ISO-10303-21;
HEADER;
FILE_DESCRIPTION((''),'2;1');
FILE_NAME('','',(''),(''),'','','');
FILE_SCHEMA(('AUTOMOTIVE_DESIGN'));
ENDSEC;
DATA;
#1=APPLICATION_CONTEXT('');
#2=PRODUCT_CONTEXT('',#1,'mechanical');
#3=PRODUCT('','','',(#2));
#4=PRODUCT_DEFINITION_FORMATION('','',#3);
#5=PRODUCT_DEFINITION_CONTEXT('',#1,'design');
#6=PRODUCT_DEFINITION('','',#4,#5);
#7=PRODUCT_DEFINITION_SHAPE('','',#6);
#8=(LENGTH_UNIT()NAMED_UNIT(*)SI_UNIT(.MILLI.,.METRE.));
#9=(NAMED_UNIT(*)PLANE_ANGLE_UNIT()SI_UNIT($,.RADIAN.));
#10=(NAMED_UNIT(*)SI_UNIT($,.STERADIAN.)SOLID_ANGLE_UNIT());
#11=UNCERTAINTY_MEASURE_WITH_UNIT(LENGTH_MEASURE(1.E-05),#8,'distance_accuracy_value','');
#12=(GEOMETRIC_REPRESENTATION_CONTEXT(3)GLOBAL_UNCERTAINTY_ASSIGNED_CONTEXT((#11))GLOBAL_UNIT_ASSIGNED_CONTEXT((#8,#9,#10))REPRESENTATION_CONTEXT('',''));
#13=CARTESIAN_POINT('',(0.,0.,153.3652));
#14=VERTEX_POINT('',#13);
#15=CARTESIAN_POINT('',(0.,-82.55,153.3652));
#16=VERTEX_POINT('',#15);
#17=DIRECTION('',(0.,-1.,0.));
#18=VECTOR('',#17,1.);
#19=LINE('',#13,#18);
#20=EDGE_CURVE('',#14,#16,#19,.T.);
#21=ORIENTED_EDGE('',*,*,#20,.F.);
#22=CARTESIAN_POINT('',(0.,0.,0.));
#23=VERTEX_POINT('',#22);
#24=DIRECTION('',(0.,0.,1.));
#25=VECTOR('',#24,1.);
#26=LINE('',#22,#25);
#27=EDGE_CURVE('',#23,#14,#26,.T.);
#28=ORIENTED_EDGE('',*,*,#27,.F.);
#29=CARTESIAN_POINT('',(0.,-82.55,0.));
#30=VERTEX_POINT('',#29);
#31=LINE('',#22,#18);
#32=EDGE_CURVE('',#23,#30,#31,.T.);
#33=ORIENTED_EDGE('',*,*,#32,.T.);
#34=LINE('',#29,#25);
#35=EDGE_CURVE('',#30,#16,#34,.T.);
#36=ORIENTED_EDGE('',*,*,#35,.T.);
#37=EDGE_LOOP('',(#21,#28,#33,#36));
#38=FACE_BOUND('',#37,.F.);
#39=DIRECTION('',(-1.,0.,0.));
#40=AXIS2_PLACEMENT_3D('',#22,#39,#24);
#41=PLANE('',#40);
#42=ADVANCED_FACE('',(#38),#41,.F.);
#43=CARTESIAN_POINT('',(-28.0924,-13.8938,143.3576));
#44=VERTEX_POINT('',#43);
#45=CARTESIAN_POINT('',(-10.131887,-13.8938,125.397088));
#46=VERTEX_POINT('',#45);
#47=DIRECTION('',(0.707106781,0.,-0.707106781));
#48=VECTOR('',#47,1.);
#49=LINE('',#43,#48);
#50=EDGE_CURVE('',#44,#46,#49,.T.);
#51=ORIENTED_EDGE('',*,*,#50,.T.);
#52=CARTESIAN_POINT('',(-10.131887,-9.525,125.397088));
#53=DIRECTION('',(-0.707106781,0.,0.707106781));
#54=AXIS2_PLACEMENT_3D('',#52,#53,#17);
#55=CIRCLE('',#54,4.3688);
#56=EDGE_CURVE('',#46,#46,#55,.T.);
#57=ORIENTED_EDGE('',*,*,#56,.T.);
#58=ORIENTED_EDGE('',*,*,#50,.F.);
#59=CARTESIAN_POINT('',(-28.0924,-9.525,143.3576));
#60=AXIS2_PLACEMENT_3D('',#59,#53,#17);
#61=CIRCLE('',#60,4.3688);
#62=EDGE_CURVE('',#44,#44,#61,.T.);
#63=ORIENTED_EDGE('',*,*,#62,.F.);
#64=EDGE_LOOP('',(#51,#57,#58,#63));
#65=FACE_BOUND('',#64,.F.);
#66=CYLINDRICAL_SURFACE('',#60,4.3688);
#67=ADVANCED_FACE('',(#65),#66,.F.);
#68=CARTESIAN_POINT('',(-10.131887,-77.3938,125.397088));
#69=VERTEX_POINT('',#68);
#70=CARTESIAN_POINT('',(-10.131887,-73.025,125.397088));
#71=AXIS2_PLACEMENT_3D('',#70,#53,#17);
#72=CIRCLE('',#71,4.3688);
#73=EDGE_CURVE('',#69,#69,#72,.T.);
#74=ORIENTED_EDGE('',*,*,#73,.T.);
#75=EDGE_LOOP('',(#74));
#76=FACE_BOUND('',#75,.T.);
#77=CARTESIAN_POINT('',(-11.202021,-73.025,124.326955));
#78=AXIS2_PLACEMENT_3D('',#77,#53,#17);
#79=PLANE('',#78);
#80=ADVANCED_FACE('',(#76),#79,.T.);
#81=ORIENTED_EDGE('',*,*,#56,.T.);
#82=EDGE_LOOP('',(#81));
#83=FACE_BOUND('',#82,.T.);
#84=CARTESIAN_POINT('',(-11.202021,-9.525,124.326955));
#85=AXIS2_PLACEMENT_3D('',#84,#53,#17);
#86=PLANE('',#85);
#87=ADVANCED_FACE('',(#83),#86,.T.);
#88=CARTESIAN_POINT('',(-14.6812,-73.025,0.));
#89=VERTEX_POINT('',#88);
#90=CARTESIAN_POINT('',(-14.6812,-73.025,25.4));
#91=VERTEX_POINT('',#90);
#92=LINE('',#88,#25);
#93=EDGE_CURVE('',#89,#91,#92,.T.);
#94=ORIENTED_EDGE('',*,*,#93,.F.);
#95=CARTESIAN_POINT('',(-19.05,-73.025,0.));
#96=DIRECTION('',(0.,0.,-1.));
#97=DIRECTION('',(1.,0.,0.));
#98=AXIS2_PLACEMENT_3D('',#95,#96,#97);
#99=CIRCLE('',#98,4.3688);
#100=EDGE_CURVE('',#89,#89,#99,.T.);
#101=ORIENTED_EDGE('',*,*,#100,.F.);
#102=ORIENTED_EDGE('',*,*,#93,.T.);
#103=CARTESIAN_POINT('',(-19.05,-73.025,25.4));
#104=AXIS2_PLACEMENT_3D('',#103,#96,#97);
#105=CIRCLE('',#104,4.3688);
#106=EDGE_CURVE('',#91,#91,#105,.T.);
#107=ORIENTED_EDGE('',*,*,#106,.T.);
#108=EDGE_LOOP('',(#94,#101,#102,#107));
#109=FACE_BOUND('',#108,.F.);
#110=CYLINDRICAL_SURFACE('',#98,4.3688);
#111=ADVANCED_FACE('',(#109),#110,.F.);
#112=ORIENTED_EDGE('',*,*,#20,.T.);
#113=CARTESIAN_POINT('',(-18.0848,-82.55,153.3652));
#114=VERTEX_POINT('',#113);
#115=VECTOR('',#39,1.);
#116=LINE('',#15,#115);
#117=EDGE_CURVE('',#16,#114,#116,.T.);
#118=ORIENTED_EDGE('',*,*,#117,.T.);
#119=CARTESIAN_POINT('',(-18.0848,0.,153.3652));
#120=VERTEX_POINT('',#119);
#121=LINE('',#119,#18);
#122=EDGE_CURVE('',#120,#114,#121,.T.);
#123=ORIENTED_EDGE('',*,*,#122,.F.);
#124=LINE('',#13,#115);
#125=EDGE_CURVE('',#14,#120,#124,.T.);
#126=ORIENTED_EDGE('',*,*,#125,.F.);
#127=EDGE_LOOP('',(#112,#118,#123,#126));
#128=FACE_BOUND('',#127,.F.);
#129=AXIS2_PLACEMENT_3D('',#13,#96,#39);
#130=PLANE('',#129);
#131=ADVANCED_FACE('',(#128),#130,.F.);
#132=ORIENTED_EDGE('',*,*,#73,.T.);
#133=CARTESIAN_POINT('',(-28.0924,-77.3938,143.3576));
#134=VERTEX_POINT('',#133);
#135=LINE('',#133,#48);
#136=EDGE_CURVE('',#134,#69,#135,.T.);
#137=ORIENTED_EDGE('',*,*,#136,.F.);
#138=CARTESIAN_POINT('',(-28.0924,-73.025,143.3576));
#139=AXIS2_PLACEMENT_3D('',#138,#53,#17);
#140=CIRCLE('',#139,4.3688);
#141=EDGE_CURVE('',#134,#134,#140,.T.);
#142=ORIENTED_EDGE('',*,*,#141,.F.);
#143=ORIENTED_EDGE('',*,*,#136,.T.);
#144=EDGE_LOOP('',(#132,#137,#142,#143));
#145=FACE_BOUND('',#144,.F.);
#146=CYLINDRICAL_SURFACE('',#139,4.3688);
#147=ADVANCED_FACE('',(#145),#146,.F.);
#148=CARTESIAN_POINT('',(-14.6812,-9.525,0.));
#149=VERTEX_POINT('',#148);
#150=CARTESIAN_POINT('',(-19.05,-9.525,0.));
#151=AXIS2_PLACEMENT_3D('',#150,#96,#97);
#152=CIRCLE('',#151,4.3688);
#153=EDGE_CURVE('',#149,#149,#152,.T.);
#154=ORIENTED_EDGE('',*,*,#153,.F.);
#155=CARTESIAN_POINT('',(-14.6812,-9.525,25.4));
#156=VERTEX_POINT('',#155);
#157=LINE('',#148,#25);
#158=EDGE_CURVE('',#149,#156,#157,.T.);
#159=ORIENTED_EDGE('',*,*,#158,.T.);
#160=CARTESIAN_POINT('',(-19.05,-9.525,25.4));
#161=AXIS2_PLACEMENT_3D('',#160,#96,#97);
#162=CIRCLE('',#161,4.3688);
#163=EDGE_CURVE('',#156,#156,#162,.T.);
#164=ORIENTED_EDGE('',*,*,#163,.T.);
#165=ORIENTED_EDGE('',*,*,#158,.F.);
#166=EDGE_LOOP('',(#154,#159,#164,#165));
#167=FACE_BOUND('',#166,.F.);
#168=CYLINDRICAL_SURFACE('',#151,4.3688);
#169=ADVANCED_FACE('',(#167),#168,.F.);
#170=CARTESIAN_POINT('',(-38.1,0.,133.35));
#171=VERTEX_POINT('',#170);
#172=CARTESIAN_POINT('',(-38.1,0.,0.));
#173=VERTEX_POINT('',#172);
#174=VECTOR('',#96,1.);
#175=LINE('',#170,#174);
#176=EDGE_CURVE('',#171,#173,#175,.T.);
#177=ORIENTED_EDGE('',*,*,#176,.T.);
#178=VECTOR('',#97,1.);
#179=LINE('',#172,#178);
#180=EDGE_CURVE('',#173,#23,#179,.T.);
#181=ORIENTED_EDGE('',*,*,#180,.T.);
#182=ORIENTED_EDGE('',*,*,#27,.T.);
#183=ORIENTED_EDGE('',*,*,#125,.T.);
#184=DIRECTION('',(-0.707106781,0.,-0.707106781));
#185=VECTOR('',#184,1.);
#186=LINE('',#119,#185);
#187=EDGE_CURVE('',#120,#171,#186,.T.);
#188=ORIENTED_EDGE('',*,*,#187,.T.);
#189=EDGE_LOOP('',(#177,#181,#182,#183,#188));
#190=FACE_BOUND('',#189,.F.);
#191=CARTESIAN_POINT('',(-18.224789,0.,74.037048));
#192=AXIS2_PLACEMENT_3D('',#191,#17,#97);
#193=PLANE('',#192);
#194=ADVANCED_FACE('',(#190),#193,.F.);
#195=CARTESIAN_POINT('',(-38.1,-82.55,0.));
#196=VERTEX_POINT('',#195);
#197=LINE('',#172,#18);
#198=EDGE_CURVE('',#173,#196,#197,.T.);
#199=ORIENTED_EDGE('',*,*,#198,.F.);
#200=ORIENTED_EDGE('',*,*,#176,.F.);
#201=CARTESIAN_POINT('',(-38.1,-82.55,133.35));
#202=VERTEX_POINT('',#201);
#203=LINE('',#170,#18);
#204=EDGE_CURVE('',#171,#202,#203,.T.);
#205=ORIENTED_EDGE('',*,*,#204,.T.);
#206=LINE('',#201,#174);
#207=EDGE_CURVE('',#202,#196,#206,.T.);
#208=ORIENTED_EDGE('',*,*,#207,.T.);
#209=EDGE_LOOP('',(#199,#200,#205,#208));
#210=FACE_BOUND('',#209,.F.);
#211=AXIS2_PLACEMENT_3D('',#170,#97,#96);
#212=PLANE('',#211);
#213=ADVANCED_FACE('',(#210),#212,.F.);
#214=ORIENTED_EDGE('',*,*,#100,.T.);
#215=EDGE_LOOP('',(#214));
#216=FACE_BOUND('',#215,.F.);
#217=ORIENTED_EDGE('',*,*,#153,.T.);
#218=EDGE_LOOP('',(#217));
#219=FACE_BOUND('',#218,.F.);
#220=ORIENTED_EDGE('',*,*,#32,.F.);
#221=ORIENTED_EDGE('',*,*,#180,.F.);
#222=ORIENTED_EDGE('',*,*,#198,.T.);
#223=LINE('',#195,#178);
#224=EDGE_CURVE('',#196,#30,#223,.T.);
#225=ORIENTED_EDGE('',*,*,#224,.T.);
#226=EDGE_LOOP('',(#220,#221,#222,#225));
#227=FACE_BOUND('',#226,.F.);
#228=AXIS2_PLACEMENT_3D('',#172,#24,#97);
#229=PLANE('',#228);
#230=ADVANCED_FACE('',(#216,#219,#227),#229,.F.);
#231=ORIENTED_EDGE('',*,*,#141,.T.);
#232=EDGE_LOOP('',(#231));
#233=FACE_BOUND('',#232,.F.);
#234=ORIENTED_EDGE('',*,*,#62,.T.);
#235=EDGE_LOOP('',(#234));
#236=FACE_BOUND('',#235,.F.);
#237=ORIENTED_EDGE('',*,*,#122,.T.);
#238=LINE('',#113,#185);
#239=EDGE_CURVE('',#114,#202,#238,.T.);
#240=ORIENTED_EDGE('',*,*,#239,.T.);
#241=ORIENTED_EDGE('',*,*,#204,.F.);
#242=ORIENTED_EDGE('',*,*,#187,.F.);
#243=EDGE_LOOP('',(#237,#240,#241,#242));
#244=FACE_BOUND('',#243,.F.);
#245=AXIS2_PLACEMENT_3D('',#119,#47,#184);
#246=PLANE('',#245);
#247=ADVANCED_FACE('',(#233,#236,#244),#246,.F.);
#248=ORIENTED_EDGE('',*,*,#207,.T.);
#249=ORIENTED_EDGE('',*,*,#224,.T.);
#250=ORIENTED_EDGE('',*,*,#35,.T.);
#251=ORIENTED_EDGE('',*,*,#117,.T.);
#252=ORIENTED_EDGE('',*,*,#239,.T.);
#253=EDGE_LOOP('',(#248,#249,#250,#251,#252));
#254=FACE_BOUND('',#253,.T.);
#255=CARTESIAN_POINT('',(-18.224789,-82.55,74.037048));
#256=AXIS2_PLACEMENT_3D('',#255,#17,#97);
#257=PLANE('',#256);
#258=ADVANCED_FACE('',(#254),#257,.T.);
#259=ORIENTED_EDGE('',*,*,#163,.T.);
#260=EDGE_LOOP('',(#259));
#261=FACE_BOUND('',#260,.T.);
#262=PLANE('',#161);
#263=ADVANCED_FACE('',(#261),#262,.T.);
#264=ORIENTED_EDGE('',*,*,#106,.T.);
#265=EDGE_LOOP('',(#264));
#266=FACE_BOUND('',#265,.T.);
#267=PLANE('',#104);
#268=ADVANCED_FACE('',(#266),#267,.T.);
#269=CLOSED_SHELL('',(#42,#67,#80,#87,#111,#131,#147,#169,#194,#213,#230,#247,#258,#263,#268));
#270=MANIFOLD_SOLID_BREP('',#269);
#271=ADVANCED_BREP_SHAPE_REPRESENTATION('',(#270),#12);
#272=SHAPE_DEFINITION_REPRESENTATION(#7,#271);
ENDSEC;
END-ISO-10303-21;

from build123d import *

# Parameters (mm, degrees)
F1_DEPTH = 82.55
F3_R     = 4.3688
F4_DEPTH = 25.4
F5_DEPTH = 25.4


with BuildPart() as f1:
    # F0 (on Front) → F1 (new body)
    with BuildSketch(Plane.XZ):
        Polygon((-38.1, 0), (0, 0), (0, 153.3652), (-18.0848, 153.3652), (-38.1, 133.35), align=None)
    extrude(amount=F1_DEPTH)

    # F3 (on face) → F4 (cut)
    with BuildSketch(Plane(origin=(0, 0, 0), x_dir=(1, 0, 0), z_dir=(0, 0, -1))):
        with Locations((-19.05, 9.525)):
            Circle(F3_R)
        with Locations((-19.05, 73.025)):
            Circle(F3_R)
    extrude(amount=-F4_DEPTH, mode=Mode.SUBTRACT)

    # F2 (on face) → F5 (cut)
    with BuildSketch(Plane(origin=(-85.725, 0, 85.725), x_dir=(0, -1, 0), z_dir=(-0.707107, 0, 0.707107))):
        with BuildLine():
            ThreePointArc((68.6562, 81.504805), (73.025, 77.136005), (77.3938, 81.504805))
            Line((77.3938, 81.504805), (73.025, 81.504805))
            Line((73.025, 81.504805), (68.6562, 81.504805))
        make_face()
        with BuildLine():
            Line((73.025, 81.504805), (77.3938, 81.504805))
            ThreePointArc((77.3938, 81.504805), (73.025, 85.873605), (68.6562, 81.504805))
            Line((68.6562, 81.504805), (73.025, 81.504805))
        make_face()
        with BuildLine():
            ThreePointArc((5.1562, 81.504805), (9.525, 77.136005), (13.8938, 81.504805))
            Line((13.8938, 81.504805), (9.525, 81.504805))
            Line((9.525, 81.504805), (5.1562, 81.504805))
        make_face()
        with BuildLine():
            Line((9.525, 81.504805), (13.8938, 81.504805))
            ThreePointArc((13.8938, 81.504805), (9.525, 85.873605), (5.1562, 81.504805))
            Line((5.1562, 81.504805), (9.525, 81.504805))
        make_face()
    extrude(amount=-F5_DEPTH, mode=Mode.SUBTRACT)


solid = f1.part
